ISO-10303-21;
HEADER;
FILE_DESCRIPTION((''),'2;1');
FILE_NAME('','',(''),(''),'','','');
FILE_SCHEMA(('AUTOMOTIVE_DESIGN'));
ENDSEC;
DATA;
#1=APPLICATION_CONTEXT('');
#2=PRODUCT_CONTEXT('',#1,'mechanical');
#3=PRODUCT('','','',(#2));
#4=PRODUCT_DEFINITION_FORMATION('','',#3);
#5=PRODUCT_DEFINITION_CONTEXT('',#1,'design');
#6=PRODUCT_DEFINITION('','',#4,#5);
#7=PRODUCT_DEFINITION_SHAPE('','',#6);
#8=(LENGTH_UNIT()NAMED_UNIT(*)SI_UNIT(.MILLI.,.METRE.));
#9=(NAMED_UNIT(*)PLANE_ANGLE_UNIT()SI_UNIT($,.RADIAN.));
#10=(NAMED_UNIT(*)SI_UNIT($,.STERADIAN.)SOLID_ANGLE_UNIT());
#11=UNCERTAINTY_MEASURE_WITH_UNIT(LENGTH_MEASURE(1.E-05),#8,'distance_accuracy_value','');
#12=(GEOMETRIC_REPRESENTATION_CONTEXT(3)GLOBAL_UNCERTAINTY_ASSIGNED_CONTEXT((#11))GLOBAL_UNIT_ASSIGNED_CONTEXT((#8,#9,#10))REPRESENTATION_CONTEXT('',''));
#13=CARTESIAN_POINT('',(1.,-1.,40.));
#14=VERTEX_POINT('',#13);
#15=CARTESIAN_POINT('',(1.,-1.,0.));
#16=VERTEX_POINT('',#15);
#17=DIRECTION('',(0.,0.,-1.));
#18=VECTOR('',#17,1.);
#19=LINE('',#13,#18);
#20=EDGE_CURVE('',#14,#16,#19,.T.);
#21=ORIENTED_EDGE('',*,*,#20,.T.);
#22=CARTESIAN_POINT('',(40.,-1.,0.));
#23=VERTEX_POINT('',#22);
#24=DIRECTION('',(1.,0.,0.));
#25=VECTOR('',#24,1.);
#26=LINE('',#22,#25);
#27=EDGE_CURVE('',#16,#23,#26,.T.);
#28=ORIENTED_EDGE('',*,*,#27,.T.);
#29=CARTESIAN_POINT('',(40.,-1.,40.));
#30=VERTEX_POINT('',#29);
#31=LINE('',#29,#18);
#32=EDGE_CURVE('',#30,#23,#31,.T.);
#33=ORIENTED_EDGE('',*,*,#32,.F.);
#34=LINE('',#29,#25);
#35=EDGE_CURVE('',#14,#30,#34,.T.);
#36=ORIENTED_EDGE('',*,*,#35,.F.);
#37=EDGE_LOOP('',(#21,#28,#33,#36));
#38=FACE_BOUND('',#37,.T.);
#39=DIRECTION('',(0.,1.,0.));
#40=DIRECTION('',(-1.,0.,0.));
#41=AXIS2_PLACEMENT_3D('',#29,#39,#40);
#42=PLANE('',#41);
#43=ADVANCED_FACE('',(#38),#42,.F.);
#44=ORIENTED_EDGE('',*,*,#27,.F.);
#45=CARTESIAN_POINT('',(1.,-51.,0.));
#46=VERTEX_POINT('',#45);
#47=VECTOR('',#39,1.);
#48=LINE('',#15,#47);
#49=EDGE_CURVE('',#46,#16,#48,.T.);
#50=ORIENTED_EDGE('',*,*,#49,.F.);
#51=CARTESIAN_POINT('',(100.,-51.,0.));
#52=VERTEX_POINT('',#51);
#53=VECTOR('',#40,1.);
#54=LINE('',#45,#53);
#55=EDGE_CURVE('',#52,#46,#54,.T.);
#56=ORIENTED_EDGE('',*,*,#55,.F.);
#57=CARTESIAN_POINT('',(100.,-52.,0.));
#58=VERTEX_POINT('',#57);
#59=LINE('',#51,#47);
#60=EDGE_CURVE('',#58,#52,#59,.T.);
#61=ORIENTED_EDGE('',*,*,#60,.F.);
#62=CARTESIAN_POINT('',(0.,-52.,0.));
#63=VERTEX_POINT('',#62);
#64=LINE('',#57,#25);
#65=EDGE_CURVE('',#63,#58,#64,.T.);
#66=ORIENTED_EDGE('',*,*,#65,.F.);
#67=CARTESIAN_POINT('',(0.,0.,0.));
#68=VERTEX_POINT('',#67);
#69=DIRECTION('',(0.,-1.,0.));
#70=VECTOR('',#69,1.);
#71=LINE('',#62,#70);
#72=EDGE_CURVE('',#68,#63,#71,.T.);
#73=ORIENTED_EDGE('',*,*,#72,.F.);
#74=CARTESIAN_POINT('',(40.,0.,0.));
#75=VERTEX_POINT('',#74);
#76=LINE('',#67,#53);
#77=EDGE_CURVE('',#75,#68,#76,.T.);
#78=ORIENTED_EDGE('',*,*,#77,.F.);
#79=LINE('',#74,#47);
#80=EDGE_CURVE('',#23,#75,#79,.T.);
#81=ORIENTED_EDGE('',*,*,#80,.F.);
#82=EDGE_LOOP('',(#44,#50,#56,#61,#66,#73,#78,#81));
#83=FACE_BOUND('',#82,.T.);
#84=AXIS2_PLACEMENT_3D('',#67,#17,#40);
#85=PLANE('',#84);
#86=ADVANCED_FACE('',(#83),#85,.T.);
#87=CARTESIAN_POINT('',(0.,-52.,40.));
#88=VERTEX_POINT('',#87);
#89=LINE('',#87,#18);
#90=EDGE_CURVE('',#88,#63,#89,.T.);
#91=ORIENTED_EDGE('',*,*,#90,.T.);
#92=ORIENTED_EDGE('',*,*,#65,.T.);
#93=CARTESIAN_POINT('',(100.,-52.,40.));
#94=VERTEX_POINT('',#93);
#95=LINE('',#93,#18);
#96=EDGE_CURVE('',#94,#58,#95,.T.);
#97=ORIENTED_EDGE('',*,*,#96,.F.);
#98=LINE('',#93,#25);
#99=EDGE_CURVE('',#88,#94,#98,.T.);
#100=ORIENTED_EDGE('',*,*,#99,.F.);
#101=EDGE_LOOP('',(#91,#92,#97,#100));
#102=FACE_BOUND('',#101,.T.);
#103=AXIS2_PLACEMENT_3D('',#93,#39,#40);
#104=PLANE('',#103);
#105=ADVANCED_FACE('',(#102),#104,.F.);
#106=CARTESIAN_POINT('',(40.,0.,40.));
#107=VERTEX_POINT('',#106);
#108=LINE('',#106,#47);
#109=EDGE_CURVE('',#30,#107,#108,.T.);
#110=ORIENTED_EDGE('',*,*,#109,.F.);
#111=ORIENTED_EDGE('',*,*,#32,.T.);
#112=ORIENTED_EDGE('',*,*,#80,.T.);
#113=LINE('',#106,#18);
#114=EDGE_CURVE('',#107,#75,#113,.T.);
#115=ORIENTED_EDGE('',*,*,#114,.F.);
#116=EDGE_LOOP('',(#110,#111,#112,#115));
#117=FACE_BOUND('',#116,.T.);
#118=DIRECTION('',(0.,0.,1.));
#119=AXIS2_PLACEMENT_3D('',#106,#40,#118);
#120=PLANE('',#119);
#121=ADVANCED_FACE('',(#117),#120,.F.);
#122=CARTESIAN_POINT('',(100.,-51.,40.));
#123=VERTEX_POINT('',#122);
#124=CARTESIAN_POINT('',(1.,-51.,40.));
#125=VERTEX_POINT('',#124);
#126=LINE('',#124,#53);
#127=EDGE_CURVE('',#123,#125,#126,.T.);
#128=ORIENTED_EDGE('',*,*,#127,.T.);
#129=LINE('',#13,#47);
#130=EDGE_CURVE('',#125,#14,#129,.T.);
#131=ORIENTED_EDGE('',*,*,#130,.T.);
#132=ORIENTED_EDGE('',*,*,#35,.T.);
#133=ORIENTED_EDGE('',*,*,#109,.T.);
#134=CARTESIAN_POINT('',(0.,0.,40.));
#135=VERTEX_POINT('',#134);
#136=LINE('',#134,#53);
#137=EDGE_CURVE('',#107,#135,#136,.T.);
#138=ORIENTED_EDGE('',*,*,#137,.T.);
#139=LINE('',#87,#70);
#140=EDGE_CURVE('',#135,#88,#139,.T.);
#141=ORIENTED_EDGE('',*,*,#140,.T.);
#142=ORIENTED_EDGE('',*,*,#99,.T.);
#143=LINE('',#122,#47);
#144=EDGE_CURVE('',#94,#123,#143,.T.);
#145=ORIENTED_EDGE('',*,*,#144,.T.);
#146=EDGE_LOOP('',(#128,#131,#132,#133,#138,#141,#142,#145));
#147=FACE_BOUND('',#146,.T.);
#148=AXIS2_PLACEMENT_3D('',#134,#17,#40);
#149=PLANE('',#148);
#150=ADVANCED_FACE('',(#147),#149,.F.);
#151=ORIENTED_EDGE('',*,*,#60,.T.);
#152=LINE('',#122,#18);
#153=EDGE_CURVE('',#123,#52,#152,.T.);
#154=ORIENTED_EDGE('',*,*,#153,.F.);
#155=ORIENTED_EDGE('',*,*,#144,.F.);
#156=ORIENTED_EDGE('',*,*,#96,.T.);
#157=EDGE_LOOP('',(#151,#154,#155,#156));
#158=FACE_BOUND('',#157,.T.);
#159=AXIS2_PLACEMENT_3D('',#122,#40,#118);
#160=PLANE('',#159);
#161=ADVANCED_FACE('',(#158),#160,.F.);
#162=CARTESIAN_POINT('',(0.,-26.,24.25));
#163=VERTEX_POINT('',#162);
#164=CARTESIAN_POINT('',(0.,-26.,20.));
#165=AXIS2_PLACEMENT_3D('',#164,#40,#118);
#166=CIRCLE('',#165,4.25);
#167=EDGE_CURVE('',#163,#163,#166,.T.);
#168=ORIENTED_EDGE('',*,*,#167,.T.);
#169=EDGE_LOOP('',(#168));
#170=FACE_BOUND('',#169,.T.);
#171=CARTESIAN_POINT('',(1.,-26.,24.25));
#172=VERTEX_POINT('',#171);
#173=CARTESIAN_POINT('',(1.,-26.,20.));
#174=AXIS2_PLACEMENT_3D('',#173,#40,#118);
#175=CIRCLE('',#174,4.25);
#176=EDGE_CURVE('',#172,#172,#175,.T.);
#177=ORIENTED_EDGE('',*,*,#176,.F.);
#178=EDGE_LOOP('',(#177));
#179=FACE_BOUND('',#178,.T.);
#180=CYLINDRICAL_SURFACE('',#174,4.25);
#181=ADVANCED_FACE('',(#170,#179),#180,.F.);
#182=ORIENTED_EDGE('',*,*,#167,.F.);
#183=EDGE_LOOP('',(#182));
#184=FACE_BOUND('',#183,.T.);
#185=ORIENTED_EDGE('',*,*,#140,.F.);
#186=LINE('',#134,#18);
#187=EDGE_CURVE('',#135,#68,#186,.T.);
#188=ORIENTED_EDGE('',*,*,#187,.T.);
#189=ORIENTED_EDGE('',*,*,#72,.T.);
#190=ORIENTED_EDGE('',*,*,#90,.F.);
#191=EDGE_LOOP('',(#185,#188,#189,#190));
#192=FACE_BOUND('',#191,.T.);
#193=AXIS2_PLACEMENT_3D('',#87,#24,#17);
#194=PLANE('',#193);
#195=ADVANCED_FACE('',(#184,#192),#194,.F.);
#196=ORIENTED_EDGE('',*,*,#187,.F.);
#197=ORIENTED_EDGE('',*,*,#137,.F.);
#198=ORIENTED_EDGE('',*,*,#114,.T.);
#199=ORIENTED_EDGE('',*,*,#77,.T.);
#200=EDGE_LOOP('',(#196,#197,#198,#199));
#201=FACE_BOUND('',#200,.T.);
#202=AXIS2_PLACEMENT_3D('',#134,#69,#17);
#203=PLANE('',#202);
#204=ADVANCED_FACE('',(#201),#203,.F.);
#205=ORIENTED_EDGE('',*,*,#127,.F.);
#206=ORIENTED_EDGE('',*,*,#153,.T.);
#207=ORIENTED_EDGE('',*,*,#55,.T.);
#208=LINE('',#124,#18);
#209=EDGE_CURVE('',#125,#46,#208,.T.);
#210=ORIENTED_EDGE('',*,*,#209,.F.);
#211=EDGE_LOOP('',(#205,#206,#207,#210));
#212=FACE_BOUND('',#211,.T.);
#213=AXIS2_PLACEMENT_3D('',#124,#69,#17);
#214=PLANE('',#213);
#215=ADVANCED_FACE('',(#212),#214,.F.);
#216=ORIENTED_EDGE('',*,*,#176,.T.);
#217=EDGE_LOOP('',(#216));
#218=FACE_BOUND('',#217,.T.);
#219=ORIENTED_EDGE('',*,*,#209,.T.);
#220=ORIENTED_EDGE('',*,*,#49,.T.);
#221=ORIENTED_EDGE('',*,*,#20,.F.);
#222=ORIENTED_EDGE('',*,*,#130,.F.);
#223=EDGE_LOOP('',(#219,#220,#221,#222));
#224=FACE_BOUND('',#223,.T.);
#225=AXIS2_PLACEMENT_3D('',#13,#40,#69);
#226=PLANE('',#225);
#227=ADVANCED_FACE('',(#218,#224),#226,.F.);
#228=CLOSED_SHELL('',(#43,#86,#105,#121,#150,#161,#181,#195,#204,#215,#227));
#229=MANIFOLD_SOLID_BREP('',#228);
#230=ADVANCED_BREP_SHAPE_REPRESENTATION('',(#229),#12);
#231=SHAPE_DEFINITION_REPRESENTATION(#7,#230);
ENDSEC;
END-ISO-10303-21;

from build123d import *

# Parameters (mm, degrees)
BOSS_EXTRUDE1_DEPTH = 40
SKETCH2_R           = 4.25
CUT_EXTRUDE1_DEPTH  = 1


with BuildPart() as part:
    # Sketch1 → Boss-Extrude1 (new body)
    with BuildSketch(Plane.XY):
        Polygon((0, 0), (40, 0), (40, -1), (1, -1), (1, -51), (100, -51), (100, -52), (0, -52), align=None)
    extrude(amount=BOSS_EXTRUDE1_DEPTH)

    # Sketch2 → Cut-Extrude1 (cut)
    with BuildSketch(Plane.ZY):
        with Locations((20, -26)):
            Circle(SKETCH2_R)
    extrude(amount=-CUT_EXTRUDE1_DEPTH, mode=Mode.SUBTRACT)


solid = part.part
